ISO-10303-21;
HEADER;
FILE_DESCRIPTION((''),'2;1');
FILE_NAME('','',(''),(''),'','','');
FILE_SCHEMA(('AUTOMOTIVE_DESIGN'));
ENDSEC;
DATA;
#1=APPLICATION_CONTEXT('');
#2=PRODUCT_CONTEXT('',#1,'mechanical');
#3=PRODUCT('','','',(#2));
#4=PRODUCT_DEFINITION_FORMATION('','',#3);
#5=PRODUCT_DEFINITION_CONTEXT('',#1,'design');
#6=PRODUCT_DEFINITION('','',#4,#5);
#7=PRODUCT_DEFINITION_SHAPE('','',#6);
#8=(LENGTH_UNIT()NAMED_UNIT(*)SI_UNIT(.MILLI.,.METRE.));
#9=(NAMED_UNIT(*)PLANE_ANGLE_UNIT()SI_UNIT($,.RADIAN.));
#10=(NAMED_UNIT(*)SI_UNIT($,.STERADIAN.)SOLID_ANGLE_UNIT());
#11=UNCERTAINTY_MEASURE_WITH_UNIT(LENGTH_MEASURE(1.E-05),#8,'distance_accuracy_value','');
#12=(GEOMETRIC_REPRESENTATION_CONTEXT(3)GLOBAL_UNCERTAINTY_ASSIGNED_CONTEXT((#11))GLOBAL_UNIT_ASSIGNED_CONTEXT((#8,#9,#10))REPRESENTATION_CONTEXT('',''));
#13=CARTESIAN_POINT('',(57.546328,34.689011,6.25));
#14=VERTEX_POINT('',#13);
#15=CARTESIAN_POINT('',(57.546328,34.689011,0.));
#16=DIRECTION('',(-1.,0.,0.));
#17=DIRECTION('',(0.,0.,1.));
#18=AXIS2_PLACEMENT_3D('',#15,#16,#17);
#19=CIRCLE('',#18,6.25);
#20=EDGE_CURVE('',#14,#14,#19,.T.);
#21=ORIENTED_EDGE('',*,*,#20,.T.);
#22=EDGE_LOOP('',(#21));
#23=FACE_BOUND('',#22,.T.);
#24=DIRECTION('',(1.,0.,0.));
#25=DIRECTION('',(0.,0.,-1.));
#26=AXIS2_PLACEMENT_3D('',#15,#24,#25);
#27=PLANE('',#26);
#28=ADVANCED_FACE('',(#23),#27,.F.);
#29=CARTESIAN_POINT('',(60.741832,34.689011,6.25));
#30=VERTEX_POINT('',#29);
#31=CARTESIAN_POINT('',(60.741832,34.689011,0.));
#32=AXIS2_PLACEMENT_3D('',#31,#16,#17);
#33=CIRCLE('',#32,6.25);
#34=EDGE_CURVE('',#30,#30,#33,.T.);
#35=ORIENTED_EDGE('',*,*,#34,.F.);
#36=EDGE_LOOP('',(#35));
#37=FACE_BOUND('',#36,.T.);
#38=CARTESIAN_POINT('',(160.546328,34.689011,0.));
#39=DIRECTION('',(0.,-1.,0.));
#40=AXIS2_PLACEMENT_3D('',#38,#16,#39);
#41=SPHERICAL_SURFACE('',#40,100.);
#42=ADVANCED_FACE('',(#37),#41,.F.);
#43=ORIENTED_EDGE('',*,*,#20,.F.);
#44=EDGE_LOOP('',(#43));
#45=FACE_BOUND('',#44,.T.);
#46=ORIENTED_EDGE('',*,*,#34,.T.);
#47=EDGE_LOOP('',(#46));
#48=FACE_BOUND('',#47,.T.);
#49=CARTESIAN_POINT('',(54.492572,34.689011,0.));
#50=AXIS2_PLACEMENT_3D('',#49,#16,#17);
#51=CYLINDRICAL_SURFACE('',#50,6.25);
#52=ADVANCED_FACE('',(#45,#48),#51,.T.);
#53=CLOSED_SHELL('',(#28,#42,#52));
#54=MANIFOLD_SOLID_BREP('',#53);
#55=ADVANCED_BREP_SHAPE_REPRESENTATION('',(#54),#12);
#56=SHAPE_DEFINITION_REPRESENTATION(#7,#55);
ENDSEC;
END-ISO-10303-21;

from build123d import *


with BuildPart() as part:
    # 草图1 → 旋转1 (revolve)
    with BuildSketch(Plane.XY, mode=Mode.PRIVATE) as revolve_1_sk:
        with BuildLine():
            Line((57.546327767, 34.689010562), (57.546327767, 40.939010562))
            Line((57.546327767, 40.939010562), (60.741831516, 40.939010562))
            ThreePointArc((60.741831516, 40.939010562), (60.59521576, 37.815539054), (60.546327908, 34.689010562))
            Line((60.546327908, 34.689010562), (57.546327767, 34.689010562))
        make_face()
    revolve(revolve_1_sk.sketch.rotate(Axis((54.492571501, 34.689010562, 0), (1, 0, 0)), 180), axis=Axis((54.492571501, 34.689010562, 0), (1, 0, 0)))  # turned: the seam where the file's is


solid = part.part
